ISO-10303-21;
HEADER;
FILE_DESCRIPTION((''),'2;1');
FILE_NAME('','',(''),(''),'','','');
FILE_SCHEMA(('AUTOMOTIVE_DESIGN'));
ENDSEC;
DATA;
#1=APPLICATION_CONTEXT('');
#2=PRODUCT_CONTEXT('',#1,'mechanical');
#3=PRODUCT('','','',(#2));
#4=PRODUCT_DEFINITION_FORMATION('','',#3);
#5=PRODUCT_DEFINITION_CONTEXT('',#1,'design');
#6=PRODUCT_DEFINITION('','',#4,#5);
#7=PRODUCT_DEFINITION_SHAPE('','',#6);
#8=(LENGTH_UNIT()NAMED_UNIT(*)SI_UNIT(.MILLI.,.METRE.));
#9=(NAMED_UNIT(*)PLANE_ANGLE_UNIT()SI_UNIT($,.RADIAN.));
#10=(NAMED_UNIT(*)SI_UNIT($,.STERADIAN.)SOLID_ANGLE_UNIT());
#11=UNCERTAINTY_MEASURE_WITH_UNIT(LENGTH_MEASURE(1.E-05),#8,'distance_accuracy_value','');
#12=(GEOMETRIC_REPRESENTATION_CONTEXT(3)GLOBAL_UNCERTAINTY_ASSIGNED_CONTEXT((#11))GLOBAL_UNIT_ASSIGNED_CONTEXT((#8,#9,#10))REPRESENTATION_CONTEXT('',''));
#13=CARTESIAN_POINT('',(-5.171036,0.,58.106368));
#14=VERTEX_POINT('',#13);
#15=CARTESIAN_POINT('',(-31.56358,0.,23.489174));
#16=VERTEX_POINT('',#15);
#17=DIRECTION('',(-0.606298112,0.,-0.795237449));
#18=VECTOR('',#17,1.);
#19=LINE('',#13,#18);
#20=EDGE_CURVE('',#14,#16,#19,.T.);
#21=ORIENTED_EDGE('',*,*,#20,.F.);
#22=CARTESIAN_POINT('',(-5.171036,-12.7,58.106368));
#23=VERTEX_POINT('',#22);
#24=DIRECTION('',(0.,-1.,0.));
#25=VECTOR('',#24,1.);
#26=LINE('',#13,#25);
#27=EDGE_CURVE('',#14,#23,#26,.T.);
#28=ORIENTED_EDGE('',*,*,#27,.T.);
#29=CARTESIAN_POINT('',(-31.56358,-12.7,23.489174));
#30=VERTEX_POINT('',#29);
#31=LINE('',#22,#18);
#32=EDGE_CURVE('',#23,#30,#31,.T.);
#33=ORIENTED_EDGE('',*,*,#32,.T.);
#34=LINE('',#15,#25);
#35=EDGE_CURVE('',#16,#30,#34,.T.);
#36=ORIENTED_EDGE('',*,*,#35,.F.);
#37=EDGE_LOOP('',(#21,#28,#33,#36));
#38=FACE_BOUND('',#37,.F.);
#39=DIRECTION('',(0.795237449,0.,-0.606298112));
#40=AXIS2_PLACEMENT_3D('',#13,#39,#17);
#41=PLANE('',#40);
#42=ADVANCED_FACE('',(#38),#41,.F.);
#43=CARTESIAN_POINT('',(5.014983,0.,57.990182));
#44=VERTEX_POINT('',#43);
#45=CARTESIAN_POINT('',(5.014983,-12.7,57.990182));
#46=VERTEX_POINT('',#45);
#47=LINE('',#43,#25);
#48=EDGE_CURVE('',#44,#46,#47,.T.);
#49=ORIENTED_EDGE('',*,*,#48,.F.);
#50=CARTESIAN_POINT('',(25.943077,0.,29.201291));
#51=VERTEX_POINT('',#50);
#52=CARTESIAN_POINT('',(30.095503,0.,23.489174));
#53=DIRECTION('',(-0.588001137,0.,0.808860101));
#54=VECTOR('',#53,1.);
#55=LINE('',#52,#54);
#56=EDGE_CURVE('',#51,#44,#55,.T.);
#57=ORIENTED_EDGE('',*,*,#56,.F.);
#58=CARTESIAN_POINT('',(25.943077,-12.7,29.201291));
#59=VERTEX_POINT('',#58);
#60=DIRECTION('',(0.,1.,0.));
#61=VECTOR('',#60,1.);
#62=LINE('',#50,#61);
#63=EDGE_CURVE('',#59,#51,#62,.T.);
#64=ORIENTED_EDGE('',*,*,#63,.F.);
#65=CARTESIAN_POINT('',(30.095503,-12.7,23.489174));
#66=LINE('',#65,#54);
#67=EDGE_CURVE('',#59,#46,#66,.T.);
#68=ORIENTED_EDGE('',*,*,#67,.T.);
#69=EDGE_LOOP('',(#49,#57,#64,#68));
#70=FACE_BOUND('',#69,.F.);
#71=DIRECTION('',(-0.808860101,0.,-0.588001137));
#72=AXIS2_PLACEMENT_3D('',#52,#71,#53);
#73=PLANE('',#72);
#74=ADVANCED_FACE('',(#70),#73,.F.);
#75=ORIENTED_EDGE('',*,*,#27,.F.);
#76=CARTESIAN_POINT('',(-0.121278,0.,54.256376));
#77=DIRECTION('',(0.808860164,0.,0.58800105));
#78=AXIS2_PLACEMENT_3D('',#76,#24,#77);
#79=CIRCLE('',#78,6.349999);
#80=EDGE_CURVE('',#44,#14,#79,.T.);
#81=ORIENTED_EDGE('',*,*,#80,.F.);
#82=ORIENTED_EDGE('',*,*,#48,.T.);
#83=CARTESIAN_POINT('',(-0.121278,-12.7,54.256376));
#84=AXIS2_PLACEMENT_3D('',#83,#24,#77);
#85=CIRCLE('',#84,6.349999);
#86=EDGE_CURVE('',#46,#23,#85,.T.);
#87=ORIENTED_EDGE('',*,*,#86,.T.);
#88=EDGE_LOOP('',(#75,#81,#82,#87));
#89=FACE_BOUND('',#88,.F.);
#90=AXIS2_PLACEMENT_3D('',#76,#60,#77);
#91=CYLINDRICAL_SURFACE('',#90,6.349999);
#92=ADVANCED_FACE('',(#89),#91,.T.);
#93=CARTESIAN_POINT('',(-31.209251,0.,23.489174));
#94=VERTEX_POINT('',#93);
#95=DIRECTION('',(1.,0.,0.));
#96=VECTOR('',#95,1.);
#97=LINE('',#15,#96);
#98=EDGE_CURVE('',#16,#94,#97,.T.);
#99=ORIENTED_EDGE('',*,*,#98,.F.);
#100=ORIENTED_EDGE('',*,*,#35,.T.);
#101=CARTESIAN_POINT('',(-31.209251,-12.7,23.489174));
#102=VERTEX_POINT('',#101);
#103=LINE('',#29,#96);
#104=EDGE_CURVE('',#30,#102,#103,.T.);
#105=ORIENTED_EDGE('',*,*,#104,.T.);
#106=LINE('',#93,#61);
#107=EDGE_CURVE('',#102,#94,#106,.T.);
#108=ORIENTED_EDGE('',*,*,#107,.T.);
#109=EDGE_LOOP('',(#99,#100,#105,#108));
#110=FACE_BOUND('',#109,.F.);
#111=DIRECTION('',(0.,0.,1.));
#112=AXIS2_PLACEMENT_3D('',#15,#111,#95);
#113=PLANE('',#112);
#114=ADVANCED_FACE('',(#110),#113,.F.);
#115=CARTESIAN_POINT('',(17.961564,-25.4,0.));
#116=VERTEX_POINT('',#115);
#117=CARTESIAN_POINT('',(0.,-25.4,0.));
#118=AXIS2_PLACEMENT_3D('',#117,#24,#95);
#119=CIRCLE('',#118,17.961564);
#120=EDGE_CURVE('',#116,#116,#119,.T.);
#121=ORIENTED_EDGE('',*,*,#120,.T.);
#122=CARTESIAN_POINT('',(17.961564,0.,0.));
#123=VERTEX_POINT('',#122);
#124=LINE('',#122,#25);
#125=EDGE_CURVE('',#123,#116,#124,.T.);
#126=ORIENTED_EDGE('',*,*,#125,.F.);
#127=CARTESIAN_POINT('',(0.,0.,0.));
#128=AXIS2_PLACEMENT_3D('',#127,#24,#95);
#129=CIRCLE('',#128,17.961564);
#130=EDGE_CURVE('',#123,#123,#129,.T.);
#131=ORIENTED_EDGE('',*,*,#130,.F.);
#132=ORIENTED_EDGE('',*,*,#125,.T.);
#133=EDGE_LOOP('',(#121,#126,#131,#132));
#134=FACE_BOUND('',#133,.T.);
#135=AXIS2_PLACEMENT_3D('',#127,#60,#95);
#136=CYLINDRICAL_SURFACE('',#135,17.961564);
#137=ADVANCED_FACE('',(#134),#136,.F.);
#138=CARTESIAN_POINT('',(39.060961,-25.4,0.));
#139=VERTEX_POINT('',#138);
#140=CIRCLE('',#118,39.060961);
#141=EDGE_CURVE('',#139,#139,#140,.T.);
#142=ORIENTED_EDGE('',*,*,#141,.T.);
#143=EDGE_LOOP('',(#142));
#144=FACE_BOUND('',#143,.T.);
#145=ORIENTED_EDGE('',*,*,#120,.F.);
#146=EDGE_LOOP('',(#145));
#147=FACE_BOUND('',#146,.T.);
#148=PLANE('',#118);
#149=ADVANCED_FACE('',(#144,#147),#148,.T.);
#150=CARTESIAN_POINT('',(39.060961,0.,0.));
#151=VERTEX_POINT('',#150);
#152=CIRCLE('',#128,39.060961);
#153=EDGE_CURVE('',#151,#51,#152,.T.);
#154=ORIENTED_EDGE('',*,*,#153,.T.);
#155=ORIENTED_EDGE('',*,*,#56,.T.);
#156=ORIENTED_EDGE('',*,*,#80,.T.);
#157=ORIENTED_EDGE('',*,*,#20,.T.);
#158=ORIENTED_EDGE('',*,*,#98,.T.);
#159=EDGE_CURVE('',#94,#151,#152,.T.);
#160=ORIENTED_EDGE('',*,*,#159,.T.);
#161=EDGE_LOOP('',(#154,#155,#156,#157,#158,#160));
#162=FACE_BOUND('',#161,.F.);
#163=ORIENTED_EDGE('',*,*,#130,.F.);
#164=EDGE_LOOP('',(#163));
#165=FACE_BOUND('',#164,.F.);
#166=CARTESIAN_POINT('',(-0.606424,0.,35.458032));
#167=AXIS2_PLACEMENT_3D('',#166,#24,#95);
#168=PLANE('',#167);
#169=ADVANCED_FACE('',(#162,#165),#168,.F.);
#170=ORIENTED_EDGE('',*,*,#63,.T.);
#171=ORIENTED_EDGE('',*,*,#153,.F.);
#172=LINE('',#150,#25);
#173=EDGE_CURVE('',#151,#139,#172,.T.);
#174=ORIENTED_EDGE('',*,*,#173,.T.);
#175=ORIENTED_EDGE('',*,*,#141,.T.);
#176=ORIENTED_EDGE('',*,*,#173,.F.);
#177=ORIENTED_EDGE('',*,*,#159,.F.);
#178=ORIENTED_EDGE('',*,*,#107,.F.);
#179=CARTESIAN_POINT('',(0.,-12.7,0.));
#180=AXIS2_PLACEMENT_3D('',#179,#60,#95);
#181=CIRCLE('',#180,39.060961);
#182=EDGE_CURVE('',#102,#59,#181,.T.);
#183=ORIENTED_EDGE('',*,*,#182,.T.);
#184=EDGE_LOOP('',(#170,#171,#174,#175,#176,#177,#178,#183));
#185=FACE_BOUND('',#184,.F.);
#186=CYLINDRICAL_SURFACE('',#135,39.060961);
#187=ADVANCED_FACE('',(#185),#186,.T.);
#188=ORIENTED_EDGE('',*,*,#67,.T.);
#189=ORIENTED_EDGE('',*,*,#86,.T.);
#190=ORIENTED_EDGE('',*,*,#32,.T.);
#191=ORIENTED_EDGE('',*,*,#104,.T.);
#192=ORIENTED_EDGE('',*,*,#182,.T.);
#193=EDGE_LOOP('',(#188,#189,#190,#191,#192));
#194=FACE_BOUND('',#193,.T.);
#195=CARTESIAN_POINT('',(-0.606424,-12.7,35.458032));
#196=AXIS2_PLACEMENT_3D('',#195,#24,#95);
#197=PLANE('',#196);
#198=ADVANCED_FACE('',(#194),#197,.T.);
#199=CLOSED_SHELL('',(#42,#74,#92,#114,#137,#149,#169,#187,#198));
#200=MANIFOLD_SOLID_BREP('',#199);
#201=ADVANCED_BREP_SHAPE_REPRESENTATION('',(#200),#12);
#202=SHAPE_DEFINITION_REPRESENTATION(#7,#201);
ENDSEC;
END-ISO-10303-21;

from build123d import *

# Parameters (mm, degrees)
F0_R     = 39.060961
F0_R_2   = 17.961564
F1_DEPTH = 25.4
F3_DEPTH = 12.7


with BuildPart() as f1:
    # F0 (on Front) → F1 (new body)
    with BuildSketch(Plane.XZ):
        Circle(F0_R)
        Circle(F0_R_2, mode=Mode.SUBTRACT)
    extrude(amount=F1_DEPTH)

    # F2 (on Front) → F3 (join)
    with BuildSketch(Plane.XZ):
        with BuildLine():
            Line((-5.171036, 58.106368), (-31.56358, 23.489174))
            Line((-31.56358, 23.489174), (30.095503, 23.489174))
            Line((30.095503, 23.489174), (5.014983, 57.990182))
            ThreePointArc((5.014983, 57.990182), (-0.048852, 60.605962), (-5.171036, 58.106368))
        make_face()
    extrude(amount=F3_DEPTH)


solid = f1.part
